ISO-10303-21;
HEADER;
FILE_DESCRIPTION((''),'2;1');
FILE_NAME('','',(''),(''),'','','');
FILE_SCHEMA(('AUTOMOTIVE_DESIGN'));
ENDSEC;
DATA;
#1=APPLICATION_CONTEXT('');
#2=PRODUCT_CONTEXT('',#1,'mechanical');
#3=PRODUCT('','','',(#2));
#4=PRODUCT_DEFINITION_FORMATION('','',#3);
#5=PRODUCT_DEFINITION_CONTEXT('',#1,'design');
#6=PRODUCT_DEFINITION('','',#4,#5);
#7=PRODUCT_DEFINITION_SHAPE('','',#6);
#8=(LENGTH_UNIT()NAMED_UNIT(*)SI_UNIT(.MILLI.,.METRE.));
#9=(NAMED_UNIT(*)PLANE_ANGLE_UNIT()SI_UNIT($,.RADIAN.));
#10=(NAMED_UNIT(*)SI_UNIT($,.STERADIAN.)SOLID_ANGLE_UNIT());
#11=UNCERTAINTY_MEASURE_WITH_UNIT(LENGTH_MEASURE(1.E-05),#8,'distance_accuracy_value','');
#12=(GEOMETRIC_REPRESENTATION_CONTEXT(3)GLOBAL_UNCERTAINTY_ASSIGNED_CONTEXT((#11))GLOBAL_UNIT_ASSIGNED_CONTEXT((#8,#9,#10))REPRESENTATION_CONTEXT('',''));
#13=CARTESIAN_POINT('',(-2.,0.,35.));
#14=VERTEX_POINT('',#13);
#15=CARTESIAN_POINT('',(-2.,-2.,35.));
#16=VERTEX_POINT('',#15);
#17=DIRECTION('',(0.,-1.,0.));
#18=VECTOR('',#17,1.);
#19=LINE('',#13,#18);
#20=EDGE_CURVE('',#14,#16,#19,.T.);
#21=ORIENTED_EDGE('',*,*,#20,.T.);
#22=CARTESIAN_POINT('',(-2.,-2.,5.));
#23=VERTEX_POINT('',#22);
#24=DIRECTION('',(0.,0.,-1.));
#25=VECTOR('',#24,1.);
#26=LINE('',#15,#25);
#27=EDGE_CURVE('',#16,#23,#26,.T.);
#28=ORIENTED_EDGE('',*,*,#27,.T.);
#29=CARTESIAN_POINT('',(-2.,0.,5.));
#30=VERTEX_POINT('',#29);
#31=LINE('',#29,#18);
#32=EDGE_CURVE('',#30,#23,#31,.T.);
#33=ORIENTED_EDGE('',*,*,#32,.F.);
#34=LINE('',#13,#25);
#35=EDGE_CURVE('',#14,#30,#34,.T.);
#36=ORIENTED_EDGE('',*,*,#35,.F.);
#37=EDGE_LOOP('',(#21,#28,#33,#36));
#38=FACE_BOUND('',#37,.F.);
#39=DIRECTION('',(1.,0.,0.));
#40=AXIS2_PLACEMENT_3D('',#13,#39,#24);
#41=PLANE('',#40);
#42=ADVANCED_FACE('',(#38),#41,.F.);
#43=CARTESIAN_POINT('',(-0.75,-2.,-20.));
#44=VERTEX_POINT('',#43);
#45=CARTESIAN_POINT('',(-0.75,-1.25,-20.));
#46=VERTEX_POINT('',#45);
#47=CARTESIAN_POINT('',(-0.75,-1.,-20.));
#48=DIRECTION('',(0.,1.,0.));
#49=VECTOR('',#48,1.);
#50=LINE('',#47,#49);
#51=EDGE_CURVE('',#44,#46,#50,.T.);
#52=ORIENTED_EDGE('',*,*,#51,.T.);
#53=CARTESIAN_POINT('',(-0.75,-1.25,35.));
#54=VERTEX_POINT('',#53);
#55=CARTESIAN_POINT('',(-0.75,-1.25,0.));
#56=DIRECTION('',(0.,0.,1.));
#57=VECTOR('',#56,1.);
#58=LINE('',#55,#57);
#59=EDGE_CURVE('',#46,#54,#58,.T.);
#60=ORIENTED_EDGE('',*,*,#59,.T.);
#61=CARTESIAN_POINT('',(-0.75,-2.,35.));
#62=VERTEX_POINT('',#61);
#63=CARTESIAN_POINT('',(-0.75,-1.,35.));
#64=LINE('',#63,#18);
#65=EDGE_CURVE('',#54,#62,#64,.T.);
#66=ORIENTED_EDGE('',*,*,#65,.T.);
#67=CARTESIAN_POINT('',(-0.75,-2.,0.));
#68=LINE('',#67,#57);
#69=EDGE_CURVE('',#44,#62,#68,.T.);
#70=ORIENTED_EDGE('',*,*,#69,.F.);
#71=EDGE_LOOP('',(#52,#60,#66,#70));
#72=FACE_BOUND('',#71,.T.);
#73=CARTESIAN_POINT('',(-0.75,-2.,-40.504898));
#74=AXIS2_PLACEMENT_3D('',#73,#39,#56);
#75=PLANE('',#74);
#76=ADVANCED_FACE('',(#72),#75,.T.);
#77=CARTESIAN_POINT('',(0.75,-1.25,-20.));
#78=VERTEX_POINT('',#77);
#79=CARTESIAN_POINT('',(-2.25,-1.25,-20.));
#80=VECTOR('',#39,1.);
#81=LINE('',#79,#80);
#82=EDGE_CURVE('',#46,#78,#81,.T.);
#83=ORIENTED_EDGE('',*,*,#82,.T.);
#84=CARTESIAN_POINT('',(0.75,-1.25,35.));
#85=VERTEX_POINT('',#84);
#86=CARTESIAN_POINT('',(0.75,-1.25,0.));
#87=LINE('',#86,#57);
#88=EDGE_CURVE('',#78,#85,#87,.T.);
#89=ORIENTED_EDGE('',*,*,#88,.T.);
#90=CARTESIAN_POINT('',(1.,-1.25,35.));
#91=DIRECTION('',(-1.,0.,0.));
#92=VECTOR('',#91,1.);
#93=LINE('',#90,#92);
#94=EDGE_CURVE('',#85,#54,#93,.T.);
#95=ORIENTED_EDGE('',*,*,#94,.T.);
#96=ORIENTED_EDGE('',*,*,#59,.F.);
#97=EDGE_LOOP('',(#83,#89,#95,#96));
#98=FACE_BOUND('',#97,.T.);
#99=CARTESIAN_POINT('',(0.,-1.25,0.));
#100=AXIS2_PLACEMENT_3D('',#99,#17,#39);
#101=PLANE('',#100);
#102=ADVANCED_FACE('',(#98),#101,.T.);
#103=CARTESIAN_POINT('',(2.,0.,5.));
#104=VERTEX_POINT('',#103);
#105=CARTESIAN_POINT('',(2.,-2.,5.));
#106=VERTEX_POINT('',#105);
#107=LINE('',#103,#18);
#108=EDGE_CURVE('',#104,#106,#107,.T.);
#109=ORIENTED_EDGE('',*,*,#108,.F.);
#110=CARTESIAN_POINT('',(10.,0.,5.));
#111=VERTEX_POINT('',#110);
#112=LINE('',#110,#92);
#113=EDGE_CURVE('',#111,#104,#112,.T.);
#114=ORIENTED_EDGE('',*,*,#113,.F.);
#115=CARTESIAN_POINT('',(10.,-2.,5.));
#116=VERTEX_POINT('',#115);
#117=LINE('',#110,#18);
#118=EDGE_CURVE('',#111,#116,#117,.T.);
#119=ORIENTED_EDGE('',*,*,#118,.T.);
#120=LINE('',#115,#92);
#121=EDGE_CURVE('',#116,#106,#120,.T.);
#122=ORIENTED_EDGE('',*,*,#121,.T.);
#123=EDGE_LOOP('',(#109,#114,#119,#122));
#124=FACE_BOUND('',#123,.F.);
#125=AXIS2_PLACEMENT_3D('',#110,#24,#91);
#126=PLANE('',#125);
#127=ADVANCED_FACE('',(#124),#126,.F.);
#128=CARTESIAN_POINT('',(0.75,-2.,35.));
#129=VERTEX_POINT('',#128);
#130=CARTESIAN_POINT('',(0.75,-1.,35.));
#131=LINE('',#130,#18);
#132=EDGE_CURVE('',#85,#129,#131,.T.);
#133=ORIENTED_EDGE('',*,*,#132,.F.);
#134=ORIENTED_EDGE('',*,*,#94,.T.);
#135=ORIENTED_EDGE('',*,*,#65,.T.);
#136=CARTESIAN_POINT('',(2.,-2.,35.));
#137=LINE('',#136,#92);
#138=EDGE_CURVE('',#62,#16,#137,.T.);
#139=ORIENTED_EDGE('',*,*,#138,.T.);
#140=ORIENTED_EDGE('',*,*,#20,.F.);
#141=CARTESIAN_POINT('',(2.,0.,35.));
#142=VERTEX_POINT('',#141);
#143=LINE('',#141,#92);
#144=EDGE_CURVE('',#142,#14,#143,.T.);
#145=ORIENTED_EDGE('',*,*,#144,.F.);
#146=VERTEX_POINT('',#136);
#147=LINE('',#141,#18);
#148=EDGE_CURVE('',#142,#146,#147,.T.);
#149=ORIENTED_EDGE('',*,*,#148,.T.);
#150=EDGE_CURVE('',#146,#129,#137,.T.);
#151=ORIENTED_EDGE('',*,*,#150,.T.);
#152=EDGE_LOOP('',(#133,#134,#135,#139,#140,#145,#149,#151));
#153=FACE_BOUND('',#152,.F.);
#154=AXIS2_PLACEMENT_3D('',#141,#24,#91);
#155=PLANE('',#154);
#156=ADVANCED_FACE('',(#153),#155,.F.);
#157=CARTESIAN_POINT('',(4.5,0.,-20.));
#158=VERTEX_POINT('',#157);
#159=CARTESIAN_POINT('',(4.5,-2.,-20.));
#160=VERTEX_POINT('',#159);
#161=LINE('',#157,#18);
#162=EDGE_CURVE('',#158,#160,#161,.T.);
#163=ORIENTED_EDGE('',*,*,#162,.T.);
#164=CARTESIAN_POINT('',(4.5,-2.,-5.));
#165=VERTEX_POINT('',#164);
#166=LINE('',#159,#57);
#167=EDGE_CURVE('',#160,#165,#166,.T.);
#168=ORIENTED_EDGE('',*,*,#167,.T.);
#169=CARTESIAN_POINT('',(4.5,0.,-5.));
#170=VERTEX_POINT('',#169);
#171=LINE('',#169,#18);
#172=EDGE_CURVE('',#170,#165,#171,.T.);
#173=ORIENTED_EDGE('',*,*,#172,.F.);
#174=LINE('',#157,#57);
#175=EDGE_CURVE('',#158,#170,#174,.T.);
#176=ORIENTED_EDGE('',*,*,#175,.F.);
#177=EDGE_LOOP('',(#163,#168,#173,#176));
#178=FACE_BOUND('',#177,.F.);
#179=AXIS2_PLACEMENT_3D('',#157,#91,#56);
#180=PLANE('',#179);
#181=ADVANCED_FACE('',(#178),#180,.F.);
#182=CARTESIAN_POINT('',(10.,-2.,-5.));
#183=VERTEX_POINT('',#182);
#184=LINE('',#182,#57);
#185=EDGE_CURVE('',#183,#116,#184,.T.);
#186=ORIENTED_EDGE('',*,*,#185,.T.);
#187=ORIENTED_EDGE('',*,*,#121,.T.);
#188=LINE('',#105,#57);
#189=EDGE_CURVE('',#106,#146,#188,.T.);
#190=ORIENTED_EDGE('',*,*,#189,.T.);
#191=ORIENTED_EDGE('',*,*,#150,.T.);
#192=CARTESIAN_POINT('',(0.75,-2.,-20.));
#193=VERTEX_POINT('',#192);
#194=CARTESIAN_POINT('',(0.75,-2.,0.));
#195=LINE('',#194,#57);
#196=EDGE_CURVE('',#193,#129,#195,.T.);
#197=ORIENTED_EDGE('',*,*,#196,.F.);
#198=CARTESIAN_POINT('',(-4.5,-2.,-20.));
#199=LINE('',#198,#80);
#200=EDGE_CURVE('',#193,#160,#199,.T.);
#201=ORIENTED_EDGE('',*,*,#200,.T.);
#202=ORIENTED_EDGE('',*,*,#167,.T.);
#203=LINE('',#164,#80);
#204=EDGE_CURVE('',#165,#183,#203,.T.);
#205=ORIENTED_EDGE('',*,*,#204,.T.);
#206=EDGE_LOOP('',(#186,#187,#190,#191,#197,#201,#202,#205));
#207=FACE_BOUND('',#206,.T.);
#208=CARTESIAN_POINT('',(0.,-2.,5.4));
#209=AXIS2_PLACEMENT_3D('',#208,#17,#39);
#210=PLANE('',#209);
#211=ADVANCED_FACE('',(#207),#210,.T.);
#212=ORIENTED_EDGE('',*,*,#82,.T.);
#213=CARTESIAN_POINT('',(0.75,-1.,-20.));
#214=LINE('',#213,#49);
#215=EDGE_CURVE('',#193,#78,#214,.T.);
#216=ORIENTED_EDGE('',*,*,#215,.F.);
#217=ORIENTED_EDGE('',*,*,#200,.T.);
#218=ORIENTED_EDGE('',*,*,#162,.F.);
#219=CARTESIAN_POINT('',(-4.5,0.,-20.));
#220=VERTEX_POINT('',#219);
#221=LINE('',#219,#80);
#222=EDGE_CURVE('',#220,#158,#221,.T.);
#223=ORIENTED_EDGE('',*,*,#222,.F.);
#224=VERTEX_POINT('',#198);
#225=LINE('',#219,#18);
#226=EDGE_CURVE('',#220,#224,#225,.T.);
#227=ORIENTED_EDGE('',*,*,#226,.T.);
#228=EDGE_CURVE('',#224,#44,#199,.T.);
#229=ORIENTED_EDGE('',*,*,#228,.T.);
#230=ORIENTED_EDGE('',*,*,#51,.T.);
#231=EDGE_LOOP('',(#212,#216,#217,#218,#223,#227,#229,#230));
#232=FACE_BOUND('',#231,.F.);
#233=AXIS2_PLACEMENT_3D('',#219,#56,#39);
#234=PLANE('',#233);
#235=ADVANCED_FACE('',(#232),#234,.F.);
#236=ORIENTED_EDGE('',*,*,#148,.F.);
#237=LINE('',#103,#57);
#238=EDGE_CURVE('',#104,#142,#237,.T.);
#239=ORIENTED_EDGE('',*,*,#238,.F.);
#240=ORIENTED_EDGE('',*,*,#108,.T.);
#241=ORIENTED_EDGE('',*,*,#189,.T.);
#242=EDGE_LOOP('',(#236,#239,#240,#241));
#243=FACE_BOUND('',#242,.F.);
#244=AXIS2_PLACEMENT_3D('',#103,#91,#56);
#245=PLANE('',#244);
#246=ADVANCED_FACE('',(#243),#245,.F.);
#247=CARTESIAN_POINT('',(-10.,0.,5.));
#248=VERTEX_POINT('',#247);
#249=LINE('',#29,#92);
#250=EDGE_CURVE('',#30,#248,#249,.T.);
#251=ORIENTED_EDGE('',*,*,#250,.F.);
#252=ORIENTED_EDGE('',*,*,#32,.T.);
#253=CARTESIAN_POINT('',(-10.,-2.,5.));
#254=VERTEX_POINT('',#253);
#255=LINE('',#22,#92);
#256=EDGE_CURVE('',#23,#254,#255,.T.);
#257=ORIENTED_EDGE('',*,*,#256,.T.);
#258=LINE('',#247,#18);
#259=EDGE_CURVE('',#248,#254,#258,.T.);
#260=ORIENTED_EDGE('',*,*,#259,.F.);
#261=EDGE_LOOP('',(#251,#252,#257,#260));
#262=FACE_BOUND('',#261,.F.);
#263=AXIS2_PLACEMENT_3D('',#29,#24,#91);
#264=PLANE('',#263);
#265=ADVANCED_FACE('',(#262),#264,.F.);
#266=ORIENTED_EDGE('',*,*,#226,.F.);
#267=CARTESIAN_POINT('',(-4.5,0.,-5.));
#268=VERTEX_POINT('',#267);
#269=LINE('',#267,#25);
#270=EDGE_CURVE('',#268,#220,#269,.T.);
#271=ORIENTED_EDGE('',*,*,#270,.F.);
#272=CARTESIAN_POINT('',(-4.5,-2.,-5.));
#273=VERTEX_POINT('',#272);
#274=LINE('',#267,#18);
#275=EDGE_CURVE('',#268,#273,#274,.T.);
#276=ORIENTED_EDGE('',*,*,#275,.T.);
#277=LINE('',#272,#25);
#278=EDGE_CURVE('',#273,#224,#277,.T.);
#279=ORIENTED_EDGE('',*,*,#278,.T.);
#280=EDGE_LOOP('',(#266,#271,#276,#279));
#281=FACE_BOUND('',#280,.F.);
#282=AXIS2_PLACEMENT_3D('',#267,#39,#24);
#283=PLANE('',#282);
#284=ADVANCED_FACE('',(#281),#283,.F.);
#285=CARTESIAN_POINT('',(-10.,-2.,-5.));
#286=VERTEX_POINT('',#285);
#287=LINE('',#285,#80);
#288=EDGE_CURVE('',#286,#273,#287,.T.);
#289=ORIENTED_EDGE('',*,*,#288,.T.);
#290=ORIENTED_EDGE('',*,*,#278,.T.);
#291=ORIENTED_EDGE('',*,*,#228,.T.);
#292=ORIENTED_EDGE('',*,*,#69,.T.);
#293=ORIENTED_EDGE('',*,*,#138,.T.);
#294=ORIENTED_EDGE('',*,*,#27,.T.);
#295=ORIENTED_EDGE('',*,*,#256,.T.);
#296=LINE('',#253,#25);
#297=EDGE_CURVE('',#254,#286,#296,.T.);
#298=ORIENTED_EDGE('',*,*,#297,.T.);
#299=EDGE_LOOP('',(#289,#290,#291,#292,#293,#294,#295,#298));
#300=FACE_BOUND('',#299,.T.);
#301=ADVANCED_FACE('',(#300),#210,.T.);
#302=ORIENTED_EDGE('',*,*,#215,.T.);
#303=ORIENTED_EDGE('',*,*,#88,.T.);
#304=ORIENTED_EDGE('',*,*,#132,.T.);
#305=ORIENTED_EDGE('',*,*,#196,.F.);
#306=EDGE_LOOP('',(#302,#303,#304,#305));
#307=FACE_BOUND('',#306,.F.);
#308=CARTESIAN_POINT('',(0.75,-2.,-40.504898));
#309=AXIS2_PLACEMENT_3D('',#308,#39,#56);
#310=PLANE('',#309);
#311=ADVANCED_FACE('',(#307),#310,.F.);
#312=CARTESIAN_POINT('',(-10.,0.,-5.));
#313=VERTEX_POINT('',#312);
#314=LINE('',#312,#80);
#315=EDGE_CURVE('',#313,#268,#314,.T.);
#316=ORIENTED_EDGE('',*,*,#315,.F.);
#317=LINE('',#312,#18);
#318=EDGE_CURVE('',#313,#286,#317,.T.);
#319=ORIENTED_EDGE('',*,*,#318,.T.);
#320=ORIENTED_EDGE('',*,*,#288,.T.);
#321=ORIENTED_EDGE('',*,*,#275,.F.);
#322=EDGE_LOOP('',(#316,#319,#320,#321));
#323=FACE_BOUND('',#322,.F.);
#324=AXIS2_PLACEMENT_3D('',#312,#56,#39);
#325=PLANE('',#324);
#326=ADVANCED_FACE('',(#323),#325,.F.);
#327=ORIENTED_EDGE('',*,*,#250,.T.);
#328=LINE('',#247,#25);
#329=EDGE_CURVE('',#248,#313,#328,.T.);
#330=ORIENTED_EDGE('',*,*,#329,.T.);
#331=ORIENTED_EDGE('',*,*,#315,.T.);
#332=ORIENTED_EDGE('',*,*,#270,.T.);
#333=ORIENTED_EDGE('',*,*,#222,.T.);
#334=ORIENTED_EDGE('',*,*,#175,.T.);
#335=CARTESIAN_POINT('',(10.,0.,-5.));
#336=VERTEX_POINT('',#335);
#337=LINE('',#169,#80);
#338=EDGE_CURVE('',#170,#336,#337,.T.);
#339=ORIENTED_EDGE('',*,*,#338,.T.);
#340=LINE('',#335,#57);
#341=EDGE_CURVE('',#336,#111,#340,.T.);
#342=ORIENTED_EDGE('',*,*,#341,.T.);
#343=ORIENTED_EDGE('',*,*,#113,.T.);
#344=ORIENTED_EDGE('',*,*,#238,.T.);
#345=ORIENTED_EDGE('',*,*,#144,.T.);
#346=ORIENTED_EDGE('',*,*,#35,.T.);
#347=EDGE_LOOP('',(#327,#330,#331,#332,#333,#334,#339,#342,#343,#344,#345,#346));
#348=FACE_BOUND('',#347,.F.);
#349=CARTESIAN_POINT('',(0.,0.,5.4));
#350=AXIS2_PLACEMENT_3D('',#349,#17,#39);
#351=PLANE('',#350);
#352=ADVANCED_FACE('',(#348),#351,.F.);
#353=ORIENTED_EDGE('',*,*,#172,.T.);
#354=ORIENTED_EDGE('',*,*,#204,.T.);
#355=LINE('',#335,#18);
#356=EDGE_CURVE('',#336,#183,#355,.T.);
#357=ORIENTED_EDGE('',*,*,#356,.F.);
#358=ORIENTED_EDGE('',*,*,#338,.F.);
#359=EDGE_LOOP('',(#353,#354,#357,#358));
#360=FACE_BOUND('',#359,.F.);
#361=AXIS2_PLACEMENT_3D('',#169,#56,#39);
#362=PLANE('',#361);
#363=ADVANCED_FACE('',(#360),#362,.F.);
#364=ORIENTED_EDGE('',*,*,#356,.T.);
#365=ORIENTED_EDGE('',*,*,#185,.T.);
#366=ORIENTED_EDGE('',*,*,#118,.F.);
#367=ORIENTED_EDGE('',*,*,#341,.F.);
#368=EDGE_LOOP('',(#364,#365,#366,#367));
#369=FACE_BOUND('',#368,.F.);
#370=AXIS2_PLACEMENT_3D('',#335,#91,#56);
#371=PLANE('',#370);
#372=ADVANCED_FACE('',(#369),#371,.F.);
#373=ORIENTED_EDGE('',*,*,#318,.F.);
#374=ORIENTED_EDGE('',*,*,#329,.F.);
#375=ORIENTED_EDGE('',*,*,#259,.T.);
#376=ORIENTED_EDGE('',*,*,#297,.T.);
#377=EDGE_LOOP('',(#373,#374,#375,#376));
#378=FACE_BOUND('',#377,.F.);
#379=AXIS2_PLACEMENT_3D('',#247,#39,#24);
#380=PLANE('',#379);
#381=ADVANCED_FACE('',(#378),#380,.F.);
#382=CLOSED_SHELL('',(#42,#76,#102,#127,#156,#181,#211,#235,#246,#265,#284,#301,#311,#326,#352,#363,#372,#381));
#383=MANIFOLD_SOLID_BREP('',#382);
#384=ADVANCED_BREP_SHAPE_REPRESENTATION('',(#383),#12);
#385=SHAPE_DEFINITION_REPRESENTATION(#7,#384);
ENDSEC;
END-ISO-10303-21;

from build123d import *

# Parameters (mm, degrees)
F1_DEPTH = 2
F2_W     = 1.5
F2_H     = 81.009796
F3_DEPTH = 0.75


with BuildPart() as f1:
    # F0 (on Front) → F1 (new body)
    with BuildSketch(Plane.XZ):
        Polygon((10, -5), (10, 5), (2, 5), (2, 35), (-2, 35), (-2, 5), (-10, 5), (-10, -5), (-4.5, -5), (-4.5, -20), (4.5, -20), (4.5, -5), align=None)
    extrude(amount=F1_DEPTH)

    # F2 (on face) → F3 (cut)
    with BuildSketch(Plane.XZ.offset(2)):
        Rectangle(F2_W, F2_H)
    extrude(amount=-F3_DEPTH, mode=Mode.SUBTRACT)


solid = f1.part
